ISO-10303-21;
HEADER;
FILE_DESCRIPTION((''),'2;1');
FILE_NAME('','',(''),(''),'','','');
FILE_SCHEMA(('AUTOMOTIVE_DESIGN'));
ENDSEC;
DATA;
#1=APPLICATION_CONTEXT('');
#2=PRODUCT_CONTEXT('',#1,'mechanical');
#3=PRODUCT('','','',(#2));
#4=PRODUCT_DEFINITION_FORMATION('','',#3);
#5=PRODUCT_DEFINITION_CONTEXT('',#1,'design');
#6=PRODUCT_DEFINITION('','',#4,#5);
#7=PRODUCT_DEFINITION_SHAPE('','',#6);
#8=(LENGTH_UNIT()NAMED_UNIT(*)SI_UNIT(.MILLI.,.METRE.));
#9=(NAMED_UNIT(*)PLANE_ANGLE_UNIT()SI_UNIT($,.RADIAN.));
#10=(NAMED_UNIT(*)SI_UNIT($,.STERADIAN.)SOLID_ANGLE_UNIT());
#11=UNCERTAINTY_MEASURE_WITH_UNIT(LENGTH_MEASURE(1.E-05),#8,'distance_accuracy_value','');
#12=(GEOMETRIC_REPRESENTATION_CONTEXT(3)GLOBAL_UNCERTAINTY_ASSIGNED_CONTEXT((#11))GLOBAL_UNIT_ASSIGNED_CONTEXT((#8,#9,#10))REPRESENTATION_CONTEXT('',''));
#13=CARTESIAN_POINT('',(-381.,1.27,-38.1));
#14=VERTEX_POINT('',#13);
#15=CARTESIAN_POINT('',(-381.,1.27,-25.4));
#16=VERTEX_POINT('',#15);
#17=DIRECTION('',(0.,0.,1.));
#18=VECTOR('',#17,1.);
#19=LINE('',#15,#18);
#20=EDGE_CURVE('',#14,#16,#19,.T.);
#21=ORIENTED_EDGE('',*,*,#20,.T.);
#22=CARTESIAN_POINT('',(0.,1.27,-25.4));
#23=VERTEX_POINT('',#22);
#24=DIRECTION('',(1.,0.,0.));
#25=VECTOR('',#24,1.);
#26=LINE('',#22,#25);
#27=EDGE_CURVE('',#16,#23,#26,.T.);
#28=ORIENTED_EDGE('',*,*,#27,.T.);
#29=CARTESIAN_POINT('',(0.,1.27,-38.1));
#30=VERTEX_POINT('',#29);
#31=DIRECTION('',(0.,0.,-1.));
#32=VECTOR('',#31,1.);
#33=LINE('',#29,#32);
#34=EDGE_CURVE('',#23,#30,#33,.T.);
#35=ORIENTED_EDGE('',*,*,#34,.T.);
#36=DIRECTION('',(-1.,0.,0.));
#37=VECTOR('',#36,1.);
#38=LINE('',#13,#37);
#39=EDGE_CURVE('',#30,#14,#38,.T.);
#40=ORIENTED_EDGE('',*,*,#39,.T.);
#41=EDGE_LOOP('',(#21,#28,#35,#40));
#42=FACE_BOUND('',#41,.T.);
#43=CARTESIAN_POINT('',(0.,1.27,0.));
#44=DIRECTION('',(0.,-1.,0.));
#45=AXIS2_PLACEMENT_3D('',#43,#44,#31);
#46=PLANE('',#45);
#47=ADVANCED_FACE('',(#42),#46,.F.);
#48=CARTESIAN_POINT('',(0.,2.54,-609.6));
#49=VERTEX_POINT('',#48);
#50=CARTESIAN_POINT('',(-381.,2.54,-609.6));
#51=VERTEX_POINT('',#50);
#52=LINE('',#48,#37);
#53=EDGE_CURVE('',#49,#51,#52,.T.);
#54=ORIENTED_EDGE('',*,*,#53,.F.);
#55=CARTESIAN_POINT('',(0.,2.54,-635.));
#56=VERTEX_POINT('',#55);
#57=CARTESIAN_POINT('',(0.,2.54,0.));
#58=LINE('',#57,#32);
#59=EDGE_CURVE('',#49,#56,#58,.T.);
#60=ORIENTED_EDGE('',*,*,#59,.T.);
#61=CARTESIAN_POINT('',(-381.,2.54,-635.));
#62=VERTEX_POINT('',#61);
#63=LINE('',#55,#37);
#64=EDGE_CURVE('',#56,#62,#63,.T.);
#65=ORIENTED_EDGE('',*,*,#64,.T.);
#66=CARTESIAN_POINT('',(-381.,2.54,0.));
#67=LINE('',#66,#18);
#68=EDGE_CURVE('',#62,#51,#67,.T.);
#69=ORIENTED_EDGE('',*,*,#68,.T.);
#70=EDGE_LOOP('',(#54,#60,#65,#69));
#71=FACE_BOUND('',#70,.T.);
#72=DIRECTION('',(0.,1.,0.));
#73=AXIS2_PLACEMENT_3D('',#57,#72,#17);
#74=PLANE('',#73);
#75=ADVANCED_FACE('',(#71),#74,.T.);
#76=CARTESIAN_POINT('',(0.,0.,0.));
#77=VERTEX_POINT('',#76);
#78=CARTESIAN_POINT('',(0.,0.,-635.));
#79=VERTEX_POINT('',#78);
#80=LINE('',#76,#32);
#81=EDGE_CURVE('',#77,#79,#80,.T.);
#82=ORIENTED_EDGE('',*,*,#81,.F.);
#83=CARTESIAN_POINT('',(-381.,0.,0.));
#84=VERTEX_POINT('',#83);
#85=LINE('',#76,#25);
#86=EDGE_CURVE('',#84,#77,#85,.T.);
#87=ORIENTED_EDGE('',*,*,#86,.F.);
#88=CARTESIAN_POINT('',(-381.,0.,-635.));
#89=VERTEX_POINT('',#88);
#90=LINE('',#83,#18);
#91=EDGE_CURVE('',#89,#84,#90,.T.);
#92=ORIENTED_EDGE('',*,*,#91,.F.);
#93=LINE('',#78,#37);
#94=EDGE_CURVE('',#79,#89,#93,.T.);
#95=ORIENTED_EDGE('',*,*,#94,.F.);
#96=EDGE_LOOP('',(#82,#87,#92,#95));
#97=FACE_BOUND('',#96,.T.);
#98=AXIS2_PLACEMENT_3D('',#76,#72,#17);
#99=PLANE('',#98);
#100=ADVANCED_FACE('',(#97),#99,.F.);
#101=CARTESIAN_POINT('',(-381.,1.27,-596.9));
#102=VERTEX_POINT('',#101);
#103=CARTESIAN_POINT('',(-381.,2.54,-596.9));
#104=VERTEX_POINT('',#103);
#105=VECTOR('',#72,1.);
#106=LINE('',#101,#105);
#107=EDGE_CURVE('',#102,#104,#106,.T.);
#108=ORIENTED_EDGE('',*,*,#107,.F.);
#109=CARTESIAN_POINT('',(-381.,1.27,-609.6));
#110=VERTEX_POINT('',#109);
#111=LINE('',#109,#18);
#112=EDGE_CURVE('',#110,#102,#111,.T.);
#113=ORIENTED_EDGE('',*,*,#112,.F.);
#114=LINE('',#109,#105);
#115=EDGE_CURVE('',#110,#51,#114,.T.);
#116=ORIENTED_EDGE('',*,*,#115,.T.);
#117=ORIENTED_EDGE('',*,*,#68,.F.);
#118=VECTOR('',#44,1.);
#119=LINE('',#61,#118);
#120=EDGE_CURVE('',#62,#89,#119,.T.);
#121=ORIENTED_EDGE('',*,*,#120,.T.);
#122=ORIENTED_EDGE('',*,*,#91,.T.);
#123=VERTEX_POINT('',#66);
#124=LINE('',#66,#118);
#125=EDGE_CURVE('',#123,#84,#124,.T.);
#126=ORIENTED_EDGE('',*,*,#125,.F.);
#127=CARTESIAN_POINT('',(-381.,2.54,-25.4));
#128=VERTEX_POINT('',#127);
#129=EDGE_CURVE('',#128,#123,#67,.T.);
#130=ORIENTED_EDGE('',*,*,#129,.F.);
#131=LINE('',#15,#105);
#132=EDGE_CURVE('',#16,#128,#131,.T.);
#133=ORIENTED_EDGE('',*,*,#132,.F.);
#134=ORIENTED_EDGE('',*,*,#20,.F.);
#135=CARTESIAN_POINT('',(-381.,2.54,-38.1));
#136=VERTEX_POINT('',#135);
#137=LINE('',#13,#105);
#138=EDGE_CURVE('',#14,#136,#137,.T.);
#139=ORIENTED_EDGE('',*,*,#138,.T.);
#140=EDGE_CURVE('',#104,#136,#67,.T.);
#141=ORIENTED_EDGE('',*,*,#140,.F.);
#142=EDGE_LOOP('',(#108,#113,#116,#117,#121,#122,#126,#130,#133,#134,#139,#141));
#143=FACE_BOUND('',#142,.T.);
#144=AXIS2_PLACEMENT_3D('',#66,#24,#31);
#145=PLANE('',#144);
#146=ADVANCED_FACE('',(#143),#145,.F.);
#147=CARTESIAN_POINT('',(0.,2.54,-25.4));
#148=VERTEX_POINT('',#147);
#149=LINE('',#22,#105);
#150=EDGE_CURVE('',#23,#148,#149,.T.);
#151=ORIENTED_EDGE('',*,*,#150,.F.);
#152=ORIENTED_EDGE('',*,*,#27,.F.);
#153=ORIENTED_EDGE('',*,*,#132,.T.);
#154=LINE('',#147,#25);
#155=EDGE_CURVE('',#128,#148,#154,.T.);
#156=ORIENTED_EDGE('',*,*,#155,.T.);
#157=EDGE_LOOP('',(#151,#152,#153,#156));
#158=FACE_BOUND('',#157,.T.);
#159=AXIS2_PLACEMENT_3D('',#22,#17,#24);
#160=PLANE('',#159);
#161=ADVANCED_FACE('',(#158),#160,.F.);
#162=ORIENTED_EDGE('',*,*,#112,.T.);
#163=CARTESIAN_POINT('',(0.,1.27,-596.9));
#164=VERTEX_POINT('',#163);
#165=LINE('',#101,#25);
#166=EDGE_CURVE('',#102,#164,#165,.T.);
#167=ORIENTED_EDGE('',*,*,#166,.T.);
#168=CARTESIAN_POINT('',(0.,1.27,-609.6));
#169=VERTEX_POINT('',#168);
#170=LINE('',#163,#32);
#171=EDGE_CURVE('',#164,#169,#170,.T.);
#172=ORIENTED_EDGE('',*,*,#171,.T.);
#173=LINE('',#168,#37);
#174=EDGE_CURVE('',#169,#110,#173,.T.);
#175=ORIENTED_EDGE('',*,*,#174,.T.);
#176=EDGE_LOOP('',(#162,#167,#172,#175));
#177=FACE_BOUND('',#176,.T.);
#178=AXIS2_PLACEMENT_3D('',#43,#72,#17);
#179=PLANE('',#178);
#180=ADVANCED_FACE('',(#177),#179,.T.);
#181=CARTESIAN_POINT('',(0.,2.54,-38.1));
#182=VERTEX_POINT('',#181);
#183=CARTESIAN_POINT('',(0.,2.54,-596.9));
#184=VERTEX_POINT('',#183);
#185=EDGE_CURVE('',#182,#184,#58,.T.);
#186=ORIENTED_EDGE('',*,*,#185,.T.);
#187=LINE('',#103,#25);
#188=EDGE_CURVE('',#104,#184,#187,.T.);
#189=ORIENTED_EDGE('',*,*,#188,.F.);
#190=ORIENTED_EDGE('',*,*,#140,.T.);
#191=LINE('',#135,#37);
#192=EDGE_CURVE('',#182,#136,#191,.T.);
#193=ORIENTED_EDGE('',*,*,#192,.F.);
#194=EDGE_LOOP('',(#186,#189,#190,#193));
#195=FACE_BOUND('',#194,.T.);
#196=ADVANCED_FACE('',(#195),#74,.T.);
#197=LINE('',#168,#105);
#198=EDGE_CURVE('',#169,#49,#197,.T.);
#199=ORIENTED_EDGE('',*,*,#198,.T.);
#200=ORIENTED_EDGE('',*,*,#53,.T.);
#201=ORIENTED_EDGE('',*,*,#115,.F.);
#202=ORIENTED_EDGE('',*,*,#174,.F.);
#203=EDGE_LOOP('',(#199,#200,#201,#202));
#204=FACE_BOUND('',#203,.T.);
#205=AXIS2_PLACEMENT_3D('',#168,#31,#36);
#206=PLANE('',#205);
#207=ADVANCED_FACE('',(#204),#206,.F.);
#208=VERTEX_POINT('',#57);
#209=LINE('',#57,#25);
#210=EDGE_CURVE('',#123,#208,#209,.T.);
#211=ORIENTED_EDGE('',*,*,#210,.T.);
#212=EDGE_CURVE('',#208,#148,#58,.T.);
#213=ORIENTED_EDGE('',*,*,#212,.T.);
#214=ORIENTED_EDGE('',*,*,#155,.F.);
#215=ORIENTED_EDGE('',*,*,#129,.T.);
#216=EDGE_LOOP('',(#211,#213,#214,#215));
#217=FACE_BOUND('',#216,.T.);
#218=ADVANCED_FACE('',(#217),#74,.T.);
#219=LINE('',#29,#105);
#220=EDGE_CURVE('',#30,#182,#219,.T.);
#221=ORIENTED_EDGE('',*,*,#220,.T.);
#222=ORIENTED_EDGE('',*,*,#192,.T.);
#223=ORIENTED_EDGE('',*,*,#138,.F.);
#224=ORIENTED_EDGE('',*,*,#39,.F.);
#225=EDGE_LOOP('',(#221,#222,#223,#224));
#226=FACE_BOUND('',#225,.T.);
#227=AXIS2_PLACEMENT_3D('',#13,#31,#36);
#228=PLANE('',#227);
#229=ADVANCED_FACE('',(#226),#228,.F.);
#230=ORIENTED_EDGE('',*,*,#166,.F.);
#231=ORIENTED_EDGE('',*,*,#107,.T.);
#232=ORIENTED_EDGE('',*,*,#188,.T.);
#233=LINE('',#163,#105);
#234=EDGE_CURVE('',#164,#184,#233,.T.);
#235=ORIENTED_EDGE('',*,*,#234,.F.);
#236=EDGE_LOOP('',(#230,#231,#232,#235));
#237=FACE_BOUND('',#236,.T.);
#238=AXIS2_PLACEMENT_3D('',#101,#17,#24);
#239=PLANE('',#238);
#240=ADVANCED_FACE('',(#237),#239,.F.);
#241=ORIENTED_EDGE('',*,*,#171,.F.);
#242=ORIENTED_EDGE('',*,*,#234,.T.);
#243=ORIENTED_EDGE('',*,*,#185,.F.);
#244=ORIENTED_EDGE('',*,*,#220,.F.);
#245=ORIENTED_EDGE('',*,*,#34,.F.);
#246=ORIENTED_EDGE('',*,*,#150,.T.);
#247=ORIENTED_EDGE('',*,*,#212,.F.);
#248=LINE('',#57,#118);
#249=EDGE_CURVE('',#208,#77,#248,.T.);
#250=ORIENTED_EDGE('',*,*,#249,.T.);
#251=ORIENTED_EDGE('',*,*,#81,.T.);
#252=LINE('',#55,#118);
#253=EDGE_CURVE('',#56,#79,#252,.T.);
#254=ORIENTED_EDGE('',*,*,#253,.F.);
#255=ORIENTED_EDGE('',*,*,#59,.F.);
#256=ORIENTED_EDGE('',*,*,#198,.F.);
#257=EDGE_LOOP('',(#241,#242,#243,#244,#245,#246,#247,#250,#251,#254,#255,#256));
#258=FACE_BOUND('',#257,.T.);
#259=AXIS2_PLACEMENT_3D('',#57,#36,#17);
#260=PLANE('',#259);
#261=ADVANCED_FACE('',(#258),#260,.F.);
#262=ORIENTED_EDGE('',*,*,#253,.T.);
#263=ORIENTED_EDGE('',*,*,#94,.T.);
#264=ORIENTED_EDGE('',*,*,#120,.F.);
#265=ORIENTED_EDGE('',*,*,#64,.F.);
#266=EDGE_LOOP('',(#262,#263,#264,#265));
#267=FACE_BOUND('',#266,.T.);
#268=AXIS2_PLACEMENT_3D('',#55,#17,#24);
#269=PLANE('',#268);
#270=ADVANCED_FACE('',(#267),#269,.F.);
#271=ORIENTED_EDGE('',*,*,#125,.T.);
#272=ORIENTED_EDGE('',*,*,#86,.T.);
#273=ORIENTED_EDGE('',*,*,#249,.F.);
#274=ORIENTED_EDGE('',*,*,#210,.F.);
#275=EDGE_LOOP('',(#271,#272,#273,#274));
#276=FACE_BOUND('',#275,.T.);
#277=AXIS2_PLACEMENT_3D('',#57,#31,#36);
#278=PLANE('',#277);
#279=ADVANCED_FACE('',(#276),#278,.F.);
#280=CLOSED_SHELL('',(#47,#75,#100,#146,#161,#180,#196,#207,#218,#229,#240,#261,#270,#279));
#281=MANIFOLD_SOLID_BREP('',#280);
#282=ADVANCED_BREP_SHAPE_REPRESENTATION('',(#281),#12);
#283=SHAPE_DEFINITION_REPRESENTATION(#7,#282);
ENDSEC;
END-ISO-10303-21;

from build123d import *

# Parameters (mm, degrees)
SKETCH1_W           = 381
SKETCH1_H           = 635
BOSS_EXTRUDE1_DEPTH = 2.54
SKETCH2_W           = 381
SKETCH2_H           = 12.7
CUT_EXTRUDE1_DEPTH  = 1.27


with BuildPart() as part:
    # Sketch1 → Boss-Extrude1 (new body)
    with BuildSketch(Plane(origin=(0, 0, 0), x_dir=(1, 0, 0), z_dir=(0, 1, 0))):
        with Locations((-190.5, 317.5)):
            Rectangle(SKETCH1_W, SKETCH1_H)
    extrude(amount=BOSS_EXTRUDE1_DEPTH)

    # Sketch2 → Cut-Extrude1 (cut)
    with BuildSketch(Plane(origin=(0, 2.54, 0), x_dir=(1, 0, 0), z_dir=(0, 1, 0))):
        with Locations((-190.5, 603.25)):
            Rectangle(SKETCH2_W, SKETCH2_H)
        with Locations((-190.5, 31.75)):
            Rectangle(SKETCH2_W, SKETCH2_H)
    extrude(amount=-CUT_EXTRUDE1_DEPTH, mode=Mode.SUBTRACT)


solid = part.part
